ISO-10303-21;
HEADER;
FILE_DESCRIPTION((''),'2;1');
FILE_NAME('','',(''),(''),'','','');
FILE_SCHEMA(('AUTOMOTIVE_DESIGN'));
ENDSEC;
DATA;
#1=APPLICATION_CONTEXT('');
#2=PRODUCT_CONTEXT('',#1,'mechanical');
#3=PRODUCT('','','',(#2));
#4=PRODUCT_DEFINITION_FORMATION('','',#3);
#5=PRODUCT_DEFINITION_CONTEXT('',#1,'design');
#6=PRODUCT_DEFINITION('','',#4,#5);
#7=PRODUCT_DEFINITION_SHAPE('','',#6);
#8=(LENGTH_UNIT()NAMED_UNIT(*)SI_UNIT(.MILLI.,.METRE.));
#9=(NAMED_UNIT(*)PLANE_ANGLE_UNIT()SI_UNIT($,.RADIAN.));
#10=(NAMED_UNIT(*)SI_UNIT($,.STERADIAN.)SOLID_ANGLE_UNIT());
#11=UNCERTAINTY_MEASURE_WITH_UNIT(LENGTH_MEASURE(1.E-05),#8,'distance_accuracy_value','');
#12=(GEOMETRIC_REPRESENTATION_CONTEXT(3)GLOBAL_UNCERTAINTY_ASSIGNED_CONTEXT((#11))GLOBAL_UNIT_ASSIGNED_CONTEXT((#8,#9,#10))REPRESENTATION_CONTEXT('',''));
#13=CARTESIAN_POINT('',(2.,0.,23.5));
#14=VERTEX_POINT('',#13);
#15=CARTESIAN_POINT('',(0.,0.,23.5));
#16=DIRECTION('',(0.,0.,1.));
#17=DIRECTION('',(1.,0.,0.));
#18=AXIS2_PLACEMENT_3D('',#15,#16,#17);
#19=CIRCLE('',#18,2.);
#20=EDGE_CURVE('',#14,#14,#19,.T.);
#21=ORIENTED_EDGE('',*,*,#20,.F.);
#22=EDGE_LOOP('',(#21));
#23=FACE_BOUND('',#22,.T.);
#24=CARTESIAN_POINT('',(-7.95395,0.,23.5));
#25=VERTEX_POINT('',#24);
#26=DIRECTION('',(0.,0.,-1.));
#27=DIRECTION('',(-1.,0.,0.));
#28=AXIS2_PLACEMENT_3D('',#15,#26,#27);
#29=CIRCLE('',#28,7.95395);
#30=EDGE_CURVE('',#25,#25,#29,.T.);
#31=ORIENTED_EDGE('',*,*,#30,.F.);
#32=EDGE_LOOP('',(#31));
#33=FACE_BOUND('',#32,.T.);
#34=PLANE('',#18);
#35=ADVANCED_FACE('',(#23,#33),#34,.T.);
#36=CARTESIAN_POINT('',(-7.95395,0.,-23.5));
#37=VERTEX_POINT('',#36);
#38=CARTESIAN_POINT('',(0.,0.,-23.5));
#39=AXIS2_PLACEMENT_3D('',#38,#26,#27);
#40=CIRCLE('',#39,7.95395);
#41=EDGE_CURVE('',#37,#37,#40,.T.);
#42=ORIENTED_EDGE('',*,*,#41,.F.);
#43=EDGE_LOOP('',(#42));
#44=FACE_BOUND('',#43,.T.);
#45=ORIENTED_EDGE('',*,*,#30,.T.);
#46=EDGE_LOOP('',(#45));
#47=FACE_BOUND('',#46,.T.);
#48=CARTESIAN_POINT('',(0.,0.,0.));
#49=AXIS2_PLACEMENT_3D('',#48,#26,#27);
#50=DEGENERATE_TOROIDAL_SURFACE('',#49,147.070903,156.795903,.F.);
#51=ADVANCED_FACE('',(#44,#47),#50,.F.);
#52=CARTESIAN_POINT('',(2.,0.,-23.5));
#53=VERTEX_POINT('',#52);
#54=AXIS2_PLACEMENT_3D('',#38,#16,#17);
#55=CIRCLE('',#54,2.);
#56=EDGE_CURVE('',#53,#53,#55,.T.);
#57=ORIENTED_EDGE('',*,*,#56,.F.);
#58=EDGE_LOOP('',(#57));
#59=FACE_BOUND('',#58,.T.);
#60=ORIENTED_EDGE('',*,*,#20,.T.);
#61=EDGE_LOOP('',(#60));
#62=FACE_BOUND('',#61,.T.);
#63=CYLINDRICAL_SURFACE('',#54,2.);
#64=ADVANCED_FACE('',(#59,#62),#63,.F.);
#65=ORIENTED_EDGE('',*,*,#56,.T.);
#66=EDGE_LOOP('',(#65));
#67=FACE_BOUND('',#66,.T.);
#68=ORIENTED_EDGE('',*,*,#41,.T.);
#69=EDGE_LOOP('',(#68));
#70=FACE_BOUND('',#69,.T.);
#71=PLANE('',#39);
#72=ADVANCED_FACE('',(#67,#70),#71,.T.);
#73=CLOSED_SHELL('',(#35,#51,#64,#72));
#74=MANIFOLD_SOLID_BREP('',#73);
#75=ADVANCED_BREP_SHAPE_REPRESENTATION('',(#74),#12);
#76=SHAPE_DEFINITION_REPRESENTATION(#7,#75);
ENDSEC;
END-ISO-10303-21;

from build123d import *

# Parameters (mm, degrees)
SKETCH3_R          = 2
CUT_EXTRUDE1_DEPTH = 48.0000001


with BuildPart() as part:
    # Sketch2 → Revolve1 (revolve)
    with BuildSketch(Plane(origin=(0, 0, 0), x_dir=(0, 0, -1), z_dir=(1, 0, 0))):
        with BuildLine():
            Line((-23.5, 0), (23.5, 0))
            Line((23.5, 0), (23.5, 7.953950478))
            ThreePointArc((23.5, 7.953950478), (0, 9.725), (-23.5, 7.953950478))
            Line((-23.5, 7.953950478), (-23.5, 0))
        make_face()
    revolve(axis=Axis((0, 0, -25.85), (0, 0, 1)))

    # Sketch3 → Cut-Extrude1 (cut, through all)
    with BuildSketch(Plane.XY.offset(23.5)):
        Circle(SKETCH3_R)
    extrude(amount=-CUT_EXTRUDE1_DEPTH, mode=Mode.SUBTRACT)


solid = part.part
